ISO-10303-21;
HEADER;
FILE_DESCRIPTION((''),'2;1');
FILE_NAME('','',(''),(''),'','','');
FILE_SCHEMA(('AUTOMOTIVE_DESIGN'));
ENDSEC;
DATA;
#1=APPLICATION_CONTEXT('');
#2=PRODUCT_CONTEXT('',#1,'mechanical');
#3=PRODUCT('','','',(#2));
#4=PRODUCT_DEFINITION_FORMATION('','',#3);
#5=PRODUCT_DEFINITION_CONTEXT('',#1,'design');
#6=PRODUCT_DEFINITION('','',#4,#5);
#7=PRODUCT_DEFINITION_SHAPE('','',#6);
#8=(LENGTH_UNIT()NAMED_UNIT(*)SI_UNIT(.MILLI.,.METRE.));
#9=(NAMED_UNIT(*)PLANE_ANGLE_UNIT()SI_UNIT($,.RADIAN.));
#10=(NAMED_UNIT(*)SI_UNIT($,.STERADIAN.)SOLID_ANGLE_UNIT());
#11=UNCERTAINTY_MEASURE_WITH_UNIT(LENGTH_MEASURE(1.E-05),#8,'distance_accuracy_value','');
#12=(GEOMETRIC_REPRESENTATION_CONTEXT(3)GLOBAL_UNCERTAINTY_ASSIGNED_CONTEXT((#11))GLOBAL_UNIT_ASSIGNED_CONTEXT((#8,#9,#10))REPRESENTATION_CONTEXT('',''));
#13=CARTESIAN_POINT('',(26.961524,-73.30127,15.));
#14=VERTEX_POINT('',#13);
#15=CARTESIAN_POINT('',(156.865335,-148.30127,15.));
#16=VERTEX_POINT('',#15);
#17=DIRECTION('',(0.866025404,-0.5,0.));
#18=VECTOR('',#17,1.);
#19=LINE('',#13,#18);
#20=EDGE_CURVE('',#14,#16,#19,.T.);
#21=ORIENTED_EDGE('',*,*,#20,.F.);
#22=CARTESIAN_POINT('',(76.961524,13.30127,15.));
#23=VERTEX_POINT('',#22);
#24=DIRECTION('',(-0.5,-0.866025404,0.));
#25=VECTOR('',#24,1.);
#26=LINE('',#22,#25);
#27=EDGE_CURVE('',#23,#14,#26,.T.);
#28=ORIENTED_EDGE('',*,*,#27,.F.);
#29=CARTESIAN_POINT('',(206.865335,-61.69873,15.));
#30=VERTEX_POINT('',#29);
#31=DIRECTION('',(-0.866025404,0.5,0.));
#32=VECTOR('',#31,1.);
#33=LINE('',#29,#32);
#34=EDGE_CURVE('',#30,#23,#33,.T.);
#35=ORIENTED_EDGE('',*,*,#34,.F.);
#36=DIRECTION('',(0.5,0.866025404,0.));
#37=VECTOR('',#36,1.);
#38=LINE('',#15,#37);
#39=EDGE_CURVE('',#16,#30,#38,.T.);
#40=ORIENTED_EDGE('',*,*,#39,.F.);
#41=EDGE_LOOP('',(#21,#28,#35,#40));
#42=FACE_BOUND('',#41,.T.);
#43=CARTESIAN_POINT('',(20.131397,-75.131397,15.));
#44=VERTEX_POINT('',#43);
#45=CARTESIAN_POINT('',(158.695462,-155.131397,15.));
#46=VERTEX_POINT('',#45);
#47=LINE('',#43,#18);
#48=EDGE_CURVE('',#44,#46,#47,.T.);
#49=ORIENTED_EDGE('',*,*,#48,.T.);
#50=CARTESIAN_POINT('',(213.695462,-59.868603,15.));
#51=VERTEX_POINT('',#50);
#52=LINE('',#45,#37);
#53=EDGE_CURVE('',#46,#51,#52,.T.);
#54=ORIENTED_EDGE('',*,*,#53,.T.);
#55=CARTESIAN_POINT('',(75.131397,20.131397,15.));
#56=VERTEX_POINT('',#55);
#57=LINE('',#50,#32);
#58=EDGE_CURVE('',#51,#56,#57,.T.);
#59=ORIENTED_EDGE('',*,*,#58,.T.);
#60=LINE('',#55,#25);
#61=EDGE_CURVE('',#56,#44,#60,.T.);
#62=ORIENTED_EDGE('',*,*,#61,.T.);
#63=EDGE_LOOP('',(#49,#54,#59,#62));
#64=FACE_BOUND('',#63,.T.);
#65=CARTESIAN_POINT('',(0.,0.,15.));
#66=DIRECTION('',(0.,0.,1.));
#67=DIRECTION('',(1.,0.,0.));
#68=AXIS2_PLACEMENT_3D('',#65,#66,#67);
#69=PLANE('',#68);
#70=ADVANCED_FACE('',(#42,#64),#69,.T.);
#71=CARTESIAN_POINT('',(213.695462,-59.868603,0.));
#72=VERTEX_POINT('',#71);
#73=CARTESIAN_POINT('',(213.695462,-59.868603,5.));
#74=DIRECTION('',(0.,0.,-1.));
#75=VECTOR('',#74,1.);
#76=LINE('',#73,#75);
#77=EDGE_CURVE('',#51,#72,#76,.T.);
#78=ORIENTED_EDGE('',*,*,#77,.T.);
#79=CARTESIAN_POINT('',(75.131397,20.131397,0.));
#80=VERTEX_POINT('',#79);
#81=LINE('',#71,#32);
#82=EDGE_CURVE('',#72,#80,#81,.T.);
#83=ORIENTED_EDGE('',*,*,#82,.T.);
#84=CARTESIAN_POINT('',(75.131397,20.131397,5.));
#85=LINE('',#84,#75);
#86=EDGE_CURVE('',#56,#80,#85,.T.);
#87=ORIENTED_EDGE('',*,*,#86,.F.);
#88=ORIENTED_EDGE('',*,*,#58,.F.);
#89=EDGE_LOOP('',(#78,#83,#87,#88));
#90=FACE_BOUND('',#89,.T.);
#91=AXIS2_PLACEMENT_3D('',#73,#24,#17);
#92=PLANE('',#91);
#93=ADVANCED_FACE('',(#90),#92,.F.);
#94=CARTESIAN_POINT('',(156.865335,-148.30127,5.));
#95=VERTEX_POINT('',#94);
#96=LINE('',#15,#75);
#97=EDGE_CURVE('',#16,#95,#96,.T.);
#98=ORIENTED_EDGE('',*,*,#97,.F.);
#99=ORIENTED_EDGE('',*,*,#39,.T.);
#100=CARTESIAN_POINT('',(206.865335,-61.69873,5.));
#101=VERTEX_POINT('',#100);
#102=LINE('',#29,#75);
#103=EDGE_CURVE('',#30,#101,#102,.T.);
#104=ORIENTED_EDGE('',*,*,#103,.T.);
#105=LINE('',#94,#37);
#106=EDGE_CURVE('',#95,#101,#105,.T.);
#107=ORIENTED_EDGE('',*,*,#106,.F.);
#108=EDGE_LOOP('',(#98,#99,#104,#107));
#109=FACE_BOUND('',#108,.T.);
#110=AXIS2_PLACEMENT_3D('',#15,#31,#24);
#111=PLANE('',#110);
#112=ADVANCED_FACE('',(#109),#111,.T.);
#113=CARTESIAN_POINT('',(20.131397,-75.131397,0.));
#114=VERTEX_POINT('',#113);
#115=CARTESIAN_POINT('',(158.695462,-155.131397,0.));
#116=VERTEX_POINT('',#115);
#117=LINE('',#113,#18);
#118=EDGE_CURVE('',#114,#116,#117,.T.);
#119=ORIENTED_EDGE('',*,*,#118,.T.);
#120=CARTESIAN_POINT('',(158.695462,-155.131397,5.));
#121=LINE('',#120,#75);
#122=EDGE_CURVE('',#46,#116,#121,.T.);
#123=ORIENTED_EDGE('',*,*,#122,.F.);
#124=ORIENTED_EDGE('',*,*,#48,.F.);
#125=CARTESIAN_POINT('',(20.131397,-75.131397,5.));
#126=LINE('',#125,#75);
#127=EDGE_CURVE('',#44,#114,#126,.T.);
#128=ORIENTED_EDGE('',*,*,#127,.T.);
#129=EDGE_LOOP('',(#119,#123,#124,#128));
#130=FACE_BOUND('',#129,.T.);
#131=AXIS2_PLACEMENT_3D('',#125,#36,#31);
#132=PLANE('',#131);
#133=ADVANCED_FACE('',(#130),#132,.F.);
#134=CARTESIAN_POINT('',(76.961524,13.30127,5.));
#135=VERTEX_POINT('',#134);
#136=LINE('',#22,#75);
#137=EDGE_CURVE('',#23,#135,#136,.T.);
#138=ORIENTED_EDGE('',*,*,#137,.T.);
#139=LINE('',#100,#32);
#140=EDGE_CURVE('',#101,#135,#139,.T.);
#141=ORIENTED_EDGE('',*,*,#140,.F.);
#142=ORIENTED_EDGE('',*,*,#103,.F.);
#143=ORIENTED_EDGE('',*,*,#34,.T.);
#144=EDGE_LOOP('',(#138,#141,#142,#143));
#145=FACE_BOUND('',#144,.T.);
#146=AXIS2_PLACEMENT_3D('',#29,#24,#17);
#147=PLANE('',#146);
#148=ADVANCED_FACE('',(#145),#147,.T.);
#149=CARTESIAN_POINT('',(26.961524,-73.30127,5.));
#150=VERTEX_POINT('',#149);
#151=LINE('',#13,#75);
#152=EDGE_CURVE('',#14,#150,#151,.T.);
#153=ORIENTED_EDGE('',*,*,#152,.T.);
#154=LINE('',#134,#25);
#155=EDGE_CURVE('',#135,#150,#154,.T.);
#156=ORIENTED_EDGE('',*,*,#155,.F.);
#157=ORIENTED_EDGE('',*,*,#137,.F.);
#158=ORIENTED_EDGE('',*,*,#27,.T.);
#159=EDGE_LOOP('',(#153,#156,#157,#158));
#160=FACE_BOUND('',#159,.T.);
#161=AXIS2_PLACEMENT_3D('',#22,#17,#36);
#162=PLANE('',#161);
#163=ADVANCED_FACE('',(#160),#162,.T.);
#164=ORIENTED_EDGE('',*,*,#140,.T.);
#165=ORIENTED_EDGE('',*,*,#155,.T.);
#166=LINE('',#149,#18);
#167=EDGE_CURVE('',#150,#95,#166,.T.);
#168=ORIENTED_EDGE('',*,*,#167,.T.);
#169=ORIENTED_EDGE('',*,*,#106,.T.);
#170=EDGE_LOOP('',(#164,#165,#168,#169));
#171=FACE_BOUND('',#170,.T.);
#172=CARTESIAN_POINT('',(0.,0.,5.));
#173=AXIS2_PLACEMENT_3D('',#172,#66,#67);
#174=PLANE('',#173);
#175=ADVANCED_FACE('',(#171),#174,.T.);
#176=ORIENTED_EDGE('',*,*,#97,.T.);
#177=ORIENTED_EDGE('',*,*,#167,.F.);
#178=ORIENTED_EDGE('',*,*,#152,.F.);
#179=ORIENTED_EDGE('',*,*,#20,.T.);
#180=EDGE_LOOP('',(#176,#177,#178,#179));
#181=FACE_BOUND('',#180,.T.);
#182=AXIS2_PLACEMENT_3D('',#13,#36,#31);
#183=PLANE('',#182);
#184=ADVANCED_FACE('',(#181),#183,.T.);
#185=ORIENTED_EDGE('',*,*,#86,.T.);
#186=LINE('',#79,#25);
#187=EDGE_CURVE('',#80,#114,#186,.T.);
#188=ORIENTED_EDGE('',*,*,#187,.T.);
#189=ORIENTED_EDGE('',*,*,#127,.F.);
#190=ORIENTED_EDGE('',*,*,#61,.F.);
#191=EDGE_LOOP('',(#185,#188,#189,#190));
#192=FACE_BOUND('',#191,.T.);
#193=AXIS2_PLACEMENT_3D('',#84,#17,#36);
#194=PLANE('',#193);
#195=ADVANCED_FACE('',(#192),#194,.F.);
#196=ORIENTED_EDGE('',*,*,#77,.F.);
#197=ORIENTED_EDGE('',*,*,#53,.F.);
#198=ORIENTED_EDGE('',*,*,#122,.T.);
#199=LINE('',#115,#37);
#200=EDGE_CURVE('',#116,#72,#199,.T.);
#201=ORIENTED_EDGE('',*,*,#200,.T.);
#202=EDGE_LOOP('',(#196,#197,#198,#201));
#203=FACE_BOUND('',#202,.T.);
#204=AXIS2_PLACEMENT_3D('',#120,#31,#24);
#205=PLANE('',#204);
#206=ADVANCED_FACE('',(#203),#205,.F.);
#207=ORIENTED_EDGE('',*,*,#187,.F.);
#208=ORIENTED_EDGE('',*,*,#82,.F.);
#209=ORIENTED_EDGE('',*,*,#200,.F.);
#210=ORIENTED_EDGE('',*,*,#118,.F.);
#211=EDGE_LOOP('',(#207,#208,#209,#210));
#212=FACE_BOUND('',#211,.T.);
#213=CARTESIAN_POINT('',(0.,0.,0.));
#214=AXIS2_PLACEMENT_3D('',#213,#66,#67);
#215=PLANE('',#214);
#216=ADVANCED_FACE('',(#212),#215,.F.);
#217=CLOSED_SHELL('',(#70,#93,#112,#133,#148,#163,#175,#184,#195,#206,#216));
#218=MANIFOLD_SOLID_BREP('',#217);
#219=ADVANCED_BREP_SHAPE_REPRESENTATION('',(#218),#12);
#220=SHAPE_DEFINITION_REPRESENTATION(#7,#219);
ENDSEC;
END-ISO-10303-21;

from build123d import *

# Parameters (mm, degrees)
BOSS_EXTRUDE1_DEPTH = 5
BOSS_EXTRUDE2_DEPTH = 10


with BuildPart() as part:
    # Sketch1 → Boss-Extrude1 (new body)
    with BuildSketch(Plane.XY):
        Polygon((75.131397208, 20.131397208), (20.131397208, -75.131397208), (158.695461814, -155.131397208), (213.695461814, -59.868602792), align=None)
    extrude(amount=BOSS_EXTRUDE1_DEPTH)

    # Sketch2 → Boss-Extrude2 (add)
    with BuildSketch(Plane.XY.offset(5)):
        Polygon((158.695461814, -155.131397208), (213.695461814, -59.868602792), (75.131397208, 20.131397208), (20.131397208, -75.131397208), align=None)
        Polygon((26.961524227, -73.301270189), (156.865334795, -148.301270189), (206.865334795, -61.698729811), (76.961524227, 13.301270189), align=None, mode=Mode.SUBTRACT)
    extrude(amount=BOSS_EXTRUDE2_DEPTH)


solid = part.part
